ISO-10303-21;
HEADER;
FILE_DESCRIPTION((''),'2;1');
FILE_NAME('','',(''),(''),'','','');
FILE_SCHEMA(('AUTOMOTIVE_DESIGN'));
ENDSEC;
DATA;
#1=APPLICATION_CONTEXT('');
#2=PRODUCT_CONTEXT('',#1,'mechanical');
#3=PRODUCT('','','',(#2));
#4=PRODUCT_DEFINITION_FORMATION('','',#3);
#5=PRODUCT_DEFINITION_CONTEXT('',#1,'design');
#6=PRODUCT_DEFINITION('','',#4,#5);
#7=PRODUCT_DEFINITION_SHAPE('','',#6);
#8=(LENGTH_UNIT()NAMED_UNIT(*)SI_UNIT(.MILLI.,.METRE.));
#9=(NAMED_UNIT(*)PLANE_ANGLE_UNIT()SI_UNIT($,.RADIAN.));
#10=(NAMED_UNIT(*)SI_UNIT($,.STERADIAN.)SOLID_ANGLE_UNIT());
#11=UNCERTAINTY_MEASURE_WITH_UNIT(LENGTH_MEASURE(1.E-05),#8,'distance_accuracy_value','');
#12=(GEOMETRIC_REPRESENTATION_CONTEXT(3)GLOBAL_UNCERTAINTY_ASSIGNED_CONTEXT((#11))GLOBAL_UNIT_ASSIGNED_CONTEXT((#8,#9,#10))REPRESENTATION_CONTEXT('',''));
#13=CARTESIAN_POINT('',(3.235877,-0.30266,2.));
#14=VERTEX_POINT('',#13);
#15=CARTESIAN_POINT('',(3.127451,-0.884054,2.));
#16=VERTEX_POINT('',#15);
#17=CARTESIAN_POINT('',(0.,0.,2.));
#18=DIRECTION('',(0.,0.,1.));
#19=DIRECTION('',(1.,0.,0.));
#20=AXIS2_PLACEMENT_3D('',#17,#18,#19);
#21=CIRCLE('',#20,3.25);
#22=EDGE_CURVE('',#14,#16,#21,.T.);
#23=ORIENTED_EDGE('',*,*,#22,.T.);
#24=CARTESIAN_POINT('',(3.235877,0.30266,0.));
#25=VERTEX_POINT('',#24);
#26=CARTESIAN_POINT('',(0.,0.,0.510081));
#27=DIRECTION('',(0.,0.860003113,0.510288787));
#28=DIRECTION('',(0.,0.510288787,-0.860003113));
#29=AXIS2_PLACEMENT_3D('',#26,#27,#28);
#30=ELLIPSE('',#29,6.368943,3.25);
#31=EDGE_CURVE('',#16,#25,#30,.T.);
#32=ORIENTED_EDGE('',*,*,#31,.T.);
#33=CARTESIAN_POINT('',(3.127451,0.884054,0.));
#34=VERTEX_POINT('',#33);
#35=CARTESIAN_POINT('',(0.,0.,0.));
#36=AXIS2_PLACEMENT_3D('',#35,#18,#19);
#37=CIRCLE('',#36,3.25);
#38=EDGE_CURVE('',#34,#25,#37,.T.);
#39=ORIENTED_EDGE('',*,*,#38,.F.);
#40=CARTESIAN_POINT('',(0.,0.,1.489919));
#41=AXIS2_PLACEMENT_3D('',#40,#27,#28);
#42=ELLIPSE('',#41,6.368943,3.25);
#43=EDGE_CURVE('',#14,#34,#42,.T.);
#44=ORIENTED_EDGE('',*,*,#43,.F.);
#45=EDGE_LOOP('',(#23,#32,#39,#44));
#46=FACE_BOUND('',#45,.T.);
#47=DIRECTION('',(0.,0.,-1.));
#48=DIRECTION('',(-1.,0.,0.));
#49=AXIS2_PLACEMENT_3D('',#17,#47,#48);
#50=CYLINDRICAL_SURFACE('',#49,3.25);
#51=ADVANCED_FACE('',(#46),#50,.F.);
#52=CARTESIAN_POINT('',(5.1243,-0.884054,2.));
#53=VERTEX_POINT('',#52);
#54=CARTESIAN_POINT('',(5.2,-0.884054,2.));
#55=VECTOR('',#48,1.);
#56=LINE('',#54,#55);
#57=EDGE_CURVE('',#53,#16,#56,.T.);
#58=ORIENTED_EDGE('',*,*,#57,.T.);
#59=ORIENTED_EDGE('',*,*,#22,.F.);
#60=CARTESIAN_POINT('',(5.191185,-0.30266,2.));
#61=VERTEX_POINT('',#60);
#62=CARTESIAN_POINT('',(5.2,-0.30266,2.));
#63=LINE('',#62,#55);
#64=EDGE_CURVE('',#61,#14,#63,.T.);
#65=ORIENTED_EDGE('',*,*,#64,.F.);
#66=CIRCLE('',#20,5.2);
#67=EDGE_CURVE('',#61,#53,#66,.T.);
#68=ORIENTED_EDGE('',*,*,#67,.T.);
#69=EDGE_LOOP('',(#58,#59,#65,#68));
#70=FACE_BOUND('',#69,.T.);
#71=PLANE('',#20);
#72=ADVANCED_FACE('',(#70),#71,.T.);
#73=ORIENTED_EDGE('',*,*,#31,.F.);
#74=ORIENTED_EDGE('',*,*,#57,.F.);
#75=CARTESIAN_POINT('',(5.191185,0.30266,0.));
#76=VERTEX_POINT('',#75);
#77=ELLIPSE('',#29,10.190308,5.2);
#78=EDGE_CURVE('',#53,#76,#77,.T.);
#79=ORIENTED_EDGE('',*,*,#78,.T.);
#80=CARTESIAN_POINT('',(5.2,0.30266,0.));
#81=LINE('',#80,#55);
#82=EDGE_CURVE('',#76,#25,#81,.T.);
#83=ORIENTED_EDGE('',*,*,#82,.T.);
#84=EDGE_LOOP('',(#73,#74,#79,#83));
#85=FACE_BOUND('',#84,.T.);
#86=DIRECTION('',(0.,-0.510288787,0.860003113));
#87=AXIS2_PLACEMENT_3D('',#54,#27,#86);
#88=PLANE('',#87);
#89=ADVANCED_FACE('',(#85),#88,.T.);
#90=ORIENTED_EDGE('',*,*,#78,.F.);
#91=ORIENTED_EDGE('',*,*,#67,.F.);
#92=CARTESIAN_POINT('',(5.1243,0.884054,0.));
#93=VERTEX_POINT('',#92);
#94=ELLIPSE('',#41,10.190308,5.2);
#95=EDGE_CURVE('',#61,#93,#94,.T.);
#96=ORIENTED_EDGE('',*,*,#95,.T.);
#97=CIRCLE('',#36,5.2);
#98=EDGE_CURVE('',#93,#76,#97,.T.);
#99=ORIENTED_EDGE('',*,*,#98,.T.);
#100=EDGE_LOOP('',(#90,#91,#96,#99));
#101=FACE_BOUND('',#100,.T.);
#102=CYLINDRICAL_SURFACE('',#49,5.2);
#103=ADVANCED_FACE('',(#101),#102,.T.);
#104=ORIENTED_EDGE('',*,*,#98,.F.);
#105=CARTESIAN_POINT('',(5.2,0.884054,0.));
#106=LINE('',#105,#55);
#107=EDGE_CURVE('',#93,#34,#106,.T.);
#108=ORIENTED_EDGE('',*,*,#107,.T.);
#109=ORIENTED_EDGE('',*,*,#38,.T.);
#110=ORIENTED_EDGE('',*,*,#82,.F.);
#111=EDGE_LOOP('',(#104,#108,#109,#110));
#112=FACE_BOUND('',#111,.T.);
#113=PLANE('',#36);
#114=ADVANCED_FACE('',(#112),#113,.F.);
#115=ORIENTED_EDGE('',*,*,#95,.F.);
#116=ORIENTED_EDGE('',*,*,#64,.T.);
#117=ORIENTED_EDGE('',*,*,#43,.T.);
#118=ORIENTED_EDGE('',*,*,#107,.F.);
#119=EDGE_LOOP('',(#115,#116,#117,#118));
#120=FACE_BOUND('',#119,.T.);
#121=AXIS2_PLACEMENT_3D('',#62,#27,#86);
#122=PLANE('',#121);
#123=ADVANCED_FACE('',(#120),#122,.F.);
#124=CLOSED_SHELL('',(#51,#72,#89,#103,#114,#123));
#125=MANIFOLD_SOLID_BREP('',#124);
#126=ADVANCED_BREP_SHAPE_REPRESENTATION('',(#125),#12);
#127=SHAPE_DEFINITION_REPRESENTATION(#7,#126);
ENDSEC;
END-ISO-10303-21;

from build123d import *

# Parameters (mm, degrees)
ESQUISSE1_R             = 5.2
ESQUISSE1_R_2           = 3.25
BASE_EXTRUSION_DEPTH    = 2
ENL_V_MAT_EXTRU_1_DEPTH = 8.621023553


with BuildPart() as part:
    # Esquisse1 → Base-Extrusion (new body)
    with BuildSketch(Plane.XY):
        Circle(ESQUISSE1_R)
        Circle(ESQUISSE1_R_2, mode=Mode.SUBTRACT)
    extrude(amount=BASE_EXTRUSION_DEPTH)

    # Esquisse2 → Enlèv. mat.-Extru.1 (cut, through all)
    with BuildSketch(Plane(origin=(0, 0, 0), x_dir=(0, 0, -1), z_dir=(1, 0, 0))):
        Polygon((-2, -0.302660284), (0, 0.884053529), (0, 0.302660284), (-2, -0.884053529), align=None)
    extrude(amount=ENL_V_MAT_EXTRU_1_DEPTH, mode=Mode.SUBTRACT)


solid = part.part
